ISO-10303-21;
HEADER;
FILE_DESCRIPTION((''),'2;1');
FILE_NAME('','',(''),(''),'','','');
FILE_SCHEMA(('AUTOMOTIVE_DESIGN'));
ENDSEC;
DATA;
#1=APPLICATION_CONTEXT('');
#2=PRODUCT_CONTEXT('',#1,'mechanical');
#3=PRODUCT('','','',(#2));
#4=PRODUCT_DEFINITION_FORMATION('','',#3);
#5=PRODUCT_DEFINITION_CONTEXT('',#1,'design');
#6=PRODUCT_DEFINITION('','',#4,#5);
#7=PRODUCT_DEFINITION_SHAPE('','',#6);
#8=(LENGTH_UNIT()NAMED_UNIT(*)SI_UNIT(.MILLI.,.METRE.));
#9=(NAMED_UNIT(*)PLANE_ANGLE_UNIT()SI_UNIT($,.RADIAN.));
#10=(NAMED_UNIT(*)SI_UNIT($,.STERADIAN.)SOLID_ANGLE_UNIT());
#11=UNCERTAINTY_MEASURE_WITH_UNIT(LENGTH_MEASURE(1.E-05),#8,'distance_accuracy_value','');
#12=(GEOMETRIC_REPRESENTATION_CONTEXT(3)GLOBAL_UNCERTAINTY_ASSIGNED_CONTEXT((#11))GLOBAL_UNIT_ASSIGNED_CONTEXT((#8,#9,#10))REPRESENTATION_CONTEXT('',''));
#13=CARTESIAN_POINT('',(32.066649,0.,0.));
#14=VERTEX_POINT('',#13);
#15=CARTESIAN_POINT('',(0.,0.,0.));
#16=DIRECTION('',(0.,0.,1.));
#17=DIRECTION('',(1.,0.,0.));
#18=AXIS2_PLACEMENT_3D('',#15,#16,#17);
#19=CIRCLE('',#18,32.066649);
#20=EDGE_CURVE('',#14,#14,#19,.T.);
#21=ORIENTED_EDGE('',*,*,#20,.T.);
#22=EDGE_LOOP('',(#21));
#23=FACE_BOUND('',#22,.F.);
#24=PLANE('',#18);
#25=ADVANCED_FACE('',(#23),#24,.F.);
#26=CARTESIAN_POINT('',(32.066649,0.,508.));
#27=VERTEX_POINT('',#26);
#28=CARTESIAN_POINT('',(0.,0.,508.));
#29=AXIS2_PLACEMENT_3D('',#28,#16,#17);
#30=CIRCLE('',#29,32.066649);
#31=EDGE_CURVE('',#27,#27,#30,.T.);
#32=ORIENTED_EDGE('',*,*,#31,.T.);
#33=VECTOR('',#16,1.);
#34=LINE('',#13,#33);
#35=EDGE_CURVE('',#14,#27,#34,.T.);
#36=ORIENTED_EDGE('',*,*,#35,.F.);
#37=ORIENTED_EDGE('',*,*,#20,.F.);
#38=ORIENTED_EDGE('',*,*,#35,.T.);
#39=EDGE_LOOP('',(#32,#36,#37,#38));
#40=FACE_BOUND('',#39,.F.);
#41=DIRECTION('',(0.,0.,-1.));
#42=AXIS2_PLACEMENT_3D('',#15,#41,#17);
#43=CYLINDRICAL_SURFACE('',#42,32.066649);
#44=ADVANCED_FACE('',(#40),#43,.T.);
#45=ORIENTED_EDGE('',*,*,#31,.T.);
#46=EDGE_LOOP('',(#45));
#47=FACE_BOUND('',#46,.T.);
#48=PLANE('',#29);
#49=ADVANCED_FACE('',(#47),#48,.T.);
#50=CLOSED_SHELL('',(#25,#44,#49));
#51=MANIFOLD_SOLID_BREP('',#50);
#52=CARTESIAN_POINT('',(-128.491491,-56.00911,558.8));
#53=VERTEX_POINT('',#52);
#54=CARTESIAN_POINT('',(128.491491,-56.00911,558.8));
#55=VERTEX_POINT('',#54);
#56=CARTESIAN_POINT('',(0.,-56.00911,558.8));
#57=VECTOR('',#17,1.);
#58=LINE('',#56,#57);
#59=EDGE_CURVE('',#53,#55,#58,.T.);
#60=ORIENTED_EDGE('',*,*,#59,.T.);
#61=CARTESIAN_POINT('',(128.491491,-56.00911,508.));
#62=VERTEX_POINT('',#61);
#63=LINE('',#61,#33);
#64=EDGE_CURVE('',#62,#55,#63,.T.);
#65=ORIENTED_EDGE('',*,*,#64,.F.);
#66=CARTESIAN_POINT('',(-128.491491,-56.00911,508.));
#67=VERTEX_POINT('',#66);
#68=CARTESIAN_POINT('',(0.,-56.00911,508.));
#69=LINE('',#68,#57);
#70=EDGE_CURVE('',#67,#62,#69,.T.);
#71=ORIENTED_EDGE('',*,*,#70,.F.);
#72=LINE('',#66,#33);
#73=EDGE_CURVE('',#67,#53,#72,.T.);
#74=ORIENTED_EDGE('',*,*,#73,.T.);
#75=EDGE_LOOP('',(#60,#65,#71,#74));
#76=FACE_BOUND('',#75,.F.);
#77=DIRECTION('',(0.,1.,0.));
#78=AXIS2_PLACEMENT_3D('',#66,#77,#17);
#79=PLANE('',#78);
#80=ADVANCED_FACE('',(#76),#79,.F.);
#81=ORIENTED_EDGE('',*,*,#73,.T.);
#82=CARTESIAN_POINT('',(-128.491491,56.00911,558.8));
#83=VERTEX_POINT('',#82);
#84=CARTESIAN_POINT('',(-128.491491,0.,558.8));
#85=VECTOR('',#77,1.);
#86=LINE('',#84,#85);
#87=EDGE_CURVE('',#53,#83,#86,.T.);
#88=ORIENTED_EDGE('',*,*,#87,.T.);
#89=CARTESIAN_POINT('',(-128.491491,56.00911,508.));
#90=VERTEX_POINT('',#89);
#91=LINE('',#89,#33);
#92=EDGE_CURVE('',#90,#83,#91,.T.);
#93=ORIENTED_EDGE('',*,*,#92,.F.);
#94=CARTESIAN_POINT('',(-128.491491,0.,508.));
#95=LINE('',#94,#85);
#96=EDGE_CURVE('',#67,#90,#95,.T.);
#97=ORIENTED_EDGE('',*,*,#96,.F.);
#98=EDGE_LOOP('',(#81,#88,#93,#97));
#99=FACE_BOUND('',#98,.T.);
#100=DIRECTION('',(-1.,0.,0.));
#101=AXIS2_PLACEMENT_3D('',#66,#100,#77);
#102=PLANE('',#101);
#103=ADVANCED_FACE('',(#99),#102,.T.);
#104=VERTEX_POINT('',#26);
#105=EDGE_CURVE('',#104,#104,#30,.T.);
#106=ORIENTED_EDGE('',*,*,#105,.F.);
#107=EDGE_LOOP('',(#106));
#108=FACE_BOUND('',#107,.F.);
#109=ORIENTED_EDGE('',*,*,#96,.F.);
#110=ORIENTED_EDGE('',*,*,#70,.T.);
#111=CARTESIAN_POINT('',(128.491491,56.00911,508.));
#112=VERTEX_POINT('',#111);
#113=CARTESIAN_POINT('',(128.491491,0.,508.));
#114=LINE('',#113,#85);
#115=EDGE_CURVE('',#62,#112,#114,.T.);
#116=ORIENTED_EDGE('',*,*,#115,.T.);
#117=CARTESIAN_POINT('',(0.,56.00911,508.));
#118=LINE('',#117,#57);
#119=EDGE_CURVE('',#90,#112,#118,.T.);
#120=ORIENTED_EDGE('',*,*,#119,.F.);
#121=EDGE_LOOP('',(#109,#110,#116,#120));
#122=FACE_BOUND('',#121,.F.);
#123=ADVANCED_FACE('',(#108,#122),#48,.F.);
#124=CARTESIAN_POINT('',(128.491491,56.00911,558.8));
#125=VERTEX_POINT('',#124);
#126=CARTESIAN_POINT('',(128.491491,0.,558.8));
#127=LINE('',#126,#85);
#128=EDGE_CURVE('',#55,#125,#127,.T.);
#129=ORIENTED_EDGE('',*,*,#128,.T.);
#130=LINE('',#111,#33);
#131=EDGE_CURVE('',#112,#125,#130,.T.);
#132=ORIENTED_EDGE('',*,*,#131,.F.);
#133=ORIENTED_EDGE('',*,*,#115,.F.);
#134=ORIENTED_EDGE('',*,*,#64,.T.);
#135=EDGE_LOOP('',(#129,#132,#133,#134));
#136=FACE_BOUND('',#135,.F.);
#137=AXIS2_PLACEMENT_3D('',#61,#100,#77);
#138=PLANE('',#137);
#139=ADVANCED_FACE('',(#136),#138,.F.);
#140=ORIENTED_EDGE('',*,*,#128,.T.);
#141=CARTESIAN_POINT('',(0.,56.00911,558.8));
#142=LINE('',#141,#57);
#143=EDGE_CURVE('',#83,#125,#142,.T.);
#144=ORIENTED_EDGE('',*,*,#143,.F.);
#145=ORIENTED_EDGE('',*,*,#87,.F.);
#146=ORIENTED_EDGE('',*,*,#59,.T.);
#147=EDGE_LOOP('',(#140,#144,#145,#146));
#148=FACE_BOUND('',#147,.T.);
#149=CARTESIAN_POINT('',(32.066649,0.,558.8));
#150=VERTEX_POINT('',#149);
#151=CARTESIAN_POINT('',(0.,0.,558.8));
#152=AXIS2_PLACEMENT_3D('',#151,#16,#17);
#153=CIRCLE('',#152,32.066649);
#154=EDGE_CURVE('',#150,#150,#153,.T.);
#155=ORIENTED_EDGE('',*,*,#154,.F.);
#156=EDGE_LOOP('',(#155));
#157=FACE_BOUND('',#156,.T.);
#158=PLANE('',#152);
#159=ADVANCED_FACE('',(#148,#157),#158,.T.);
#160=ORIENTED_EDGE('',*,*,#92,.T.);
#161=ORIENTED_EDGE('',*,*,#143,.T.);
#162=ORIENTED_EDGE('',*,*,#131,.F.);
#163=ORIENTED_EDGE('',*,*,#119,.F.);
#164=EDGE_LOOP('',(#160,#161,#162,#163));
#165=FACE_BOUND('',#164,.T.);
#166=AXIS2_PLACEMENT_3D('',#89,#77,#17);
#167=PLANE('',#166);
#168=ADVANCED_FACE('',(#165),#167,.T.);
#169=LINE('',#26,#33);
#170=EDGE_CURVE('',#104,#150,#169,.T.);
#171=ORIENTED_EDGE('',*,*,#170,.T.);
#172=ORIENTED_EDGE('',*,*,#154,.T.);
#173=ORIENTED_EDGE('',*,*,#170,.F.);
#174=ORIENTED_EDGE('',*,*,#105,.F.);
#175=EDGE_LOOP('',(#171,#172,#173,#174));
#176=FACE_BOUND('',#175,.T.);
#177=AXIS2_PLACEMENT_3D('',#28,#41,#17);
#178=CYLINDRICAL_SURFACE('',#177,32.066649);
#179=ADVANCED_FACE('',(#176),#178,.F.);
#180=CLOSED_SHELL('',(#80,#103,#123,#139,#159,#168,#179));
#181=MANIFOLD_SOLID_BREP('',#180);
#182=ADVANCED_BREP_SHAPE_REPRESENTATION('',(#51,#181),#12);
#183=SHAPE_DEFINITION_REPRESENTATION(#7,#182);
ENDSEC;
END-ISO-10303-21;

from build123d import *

# Parameters (mm, degrees)
F0_R     = 32.066649
F1_DEPTH = 508
F2_W     = 256.982982
F2_H     = 112.01822
F2_R     = 32.066649
F3_DEPTH = 50.8


with BuildPart() as f1:
    # F0 (on Top) → F1 (new body)
    with BuildSketch(Plane.XY):
        Circle(F0_R)
    extrude(amount=F1_DEPTH)


with BuildPart() as f3:
    # F2 (on face) → F3 (new body)
    with BuildSketch(Plane.XY.offset(508)):
        Rectangle(F2_W, F2_H)
        Circle(F2_R, mode=Mode.SUBTRACT)
    extrude(amount=F3_DEPTH)


solid = Compound([f1.part, f3.part])
